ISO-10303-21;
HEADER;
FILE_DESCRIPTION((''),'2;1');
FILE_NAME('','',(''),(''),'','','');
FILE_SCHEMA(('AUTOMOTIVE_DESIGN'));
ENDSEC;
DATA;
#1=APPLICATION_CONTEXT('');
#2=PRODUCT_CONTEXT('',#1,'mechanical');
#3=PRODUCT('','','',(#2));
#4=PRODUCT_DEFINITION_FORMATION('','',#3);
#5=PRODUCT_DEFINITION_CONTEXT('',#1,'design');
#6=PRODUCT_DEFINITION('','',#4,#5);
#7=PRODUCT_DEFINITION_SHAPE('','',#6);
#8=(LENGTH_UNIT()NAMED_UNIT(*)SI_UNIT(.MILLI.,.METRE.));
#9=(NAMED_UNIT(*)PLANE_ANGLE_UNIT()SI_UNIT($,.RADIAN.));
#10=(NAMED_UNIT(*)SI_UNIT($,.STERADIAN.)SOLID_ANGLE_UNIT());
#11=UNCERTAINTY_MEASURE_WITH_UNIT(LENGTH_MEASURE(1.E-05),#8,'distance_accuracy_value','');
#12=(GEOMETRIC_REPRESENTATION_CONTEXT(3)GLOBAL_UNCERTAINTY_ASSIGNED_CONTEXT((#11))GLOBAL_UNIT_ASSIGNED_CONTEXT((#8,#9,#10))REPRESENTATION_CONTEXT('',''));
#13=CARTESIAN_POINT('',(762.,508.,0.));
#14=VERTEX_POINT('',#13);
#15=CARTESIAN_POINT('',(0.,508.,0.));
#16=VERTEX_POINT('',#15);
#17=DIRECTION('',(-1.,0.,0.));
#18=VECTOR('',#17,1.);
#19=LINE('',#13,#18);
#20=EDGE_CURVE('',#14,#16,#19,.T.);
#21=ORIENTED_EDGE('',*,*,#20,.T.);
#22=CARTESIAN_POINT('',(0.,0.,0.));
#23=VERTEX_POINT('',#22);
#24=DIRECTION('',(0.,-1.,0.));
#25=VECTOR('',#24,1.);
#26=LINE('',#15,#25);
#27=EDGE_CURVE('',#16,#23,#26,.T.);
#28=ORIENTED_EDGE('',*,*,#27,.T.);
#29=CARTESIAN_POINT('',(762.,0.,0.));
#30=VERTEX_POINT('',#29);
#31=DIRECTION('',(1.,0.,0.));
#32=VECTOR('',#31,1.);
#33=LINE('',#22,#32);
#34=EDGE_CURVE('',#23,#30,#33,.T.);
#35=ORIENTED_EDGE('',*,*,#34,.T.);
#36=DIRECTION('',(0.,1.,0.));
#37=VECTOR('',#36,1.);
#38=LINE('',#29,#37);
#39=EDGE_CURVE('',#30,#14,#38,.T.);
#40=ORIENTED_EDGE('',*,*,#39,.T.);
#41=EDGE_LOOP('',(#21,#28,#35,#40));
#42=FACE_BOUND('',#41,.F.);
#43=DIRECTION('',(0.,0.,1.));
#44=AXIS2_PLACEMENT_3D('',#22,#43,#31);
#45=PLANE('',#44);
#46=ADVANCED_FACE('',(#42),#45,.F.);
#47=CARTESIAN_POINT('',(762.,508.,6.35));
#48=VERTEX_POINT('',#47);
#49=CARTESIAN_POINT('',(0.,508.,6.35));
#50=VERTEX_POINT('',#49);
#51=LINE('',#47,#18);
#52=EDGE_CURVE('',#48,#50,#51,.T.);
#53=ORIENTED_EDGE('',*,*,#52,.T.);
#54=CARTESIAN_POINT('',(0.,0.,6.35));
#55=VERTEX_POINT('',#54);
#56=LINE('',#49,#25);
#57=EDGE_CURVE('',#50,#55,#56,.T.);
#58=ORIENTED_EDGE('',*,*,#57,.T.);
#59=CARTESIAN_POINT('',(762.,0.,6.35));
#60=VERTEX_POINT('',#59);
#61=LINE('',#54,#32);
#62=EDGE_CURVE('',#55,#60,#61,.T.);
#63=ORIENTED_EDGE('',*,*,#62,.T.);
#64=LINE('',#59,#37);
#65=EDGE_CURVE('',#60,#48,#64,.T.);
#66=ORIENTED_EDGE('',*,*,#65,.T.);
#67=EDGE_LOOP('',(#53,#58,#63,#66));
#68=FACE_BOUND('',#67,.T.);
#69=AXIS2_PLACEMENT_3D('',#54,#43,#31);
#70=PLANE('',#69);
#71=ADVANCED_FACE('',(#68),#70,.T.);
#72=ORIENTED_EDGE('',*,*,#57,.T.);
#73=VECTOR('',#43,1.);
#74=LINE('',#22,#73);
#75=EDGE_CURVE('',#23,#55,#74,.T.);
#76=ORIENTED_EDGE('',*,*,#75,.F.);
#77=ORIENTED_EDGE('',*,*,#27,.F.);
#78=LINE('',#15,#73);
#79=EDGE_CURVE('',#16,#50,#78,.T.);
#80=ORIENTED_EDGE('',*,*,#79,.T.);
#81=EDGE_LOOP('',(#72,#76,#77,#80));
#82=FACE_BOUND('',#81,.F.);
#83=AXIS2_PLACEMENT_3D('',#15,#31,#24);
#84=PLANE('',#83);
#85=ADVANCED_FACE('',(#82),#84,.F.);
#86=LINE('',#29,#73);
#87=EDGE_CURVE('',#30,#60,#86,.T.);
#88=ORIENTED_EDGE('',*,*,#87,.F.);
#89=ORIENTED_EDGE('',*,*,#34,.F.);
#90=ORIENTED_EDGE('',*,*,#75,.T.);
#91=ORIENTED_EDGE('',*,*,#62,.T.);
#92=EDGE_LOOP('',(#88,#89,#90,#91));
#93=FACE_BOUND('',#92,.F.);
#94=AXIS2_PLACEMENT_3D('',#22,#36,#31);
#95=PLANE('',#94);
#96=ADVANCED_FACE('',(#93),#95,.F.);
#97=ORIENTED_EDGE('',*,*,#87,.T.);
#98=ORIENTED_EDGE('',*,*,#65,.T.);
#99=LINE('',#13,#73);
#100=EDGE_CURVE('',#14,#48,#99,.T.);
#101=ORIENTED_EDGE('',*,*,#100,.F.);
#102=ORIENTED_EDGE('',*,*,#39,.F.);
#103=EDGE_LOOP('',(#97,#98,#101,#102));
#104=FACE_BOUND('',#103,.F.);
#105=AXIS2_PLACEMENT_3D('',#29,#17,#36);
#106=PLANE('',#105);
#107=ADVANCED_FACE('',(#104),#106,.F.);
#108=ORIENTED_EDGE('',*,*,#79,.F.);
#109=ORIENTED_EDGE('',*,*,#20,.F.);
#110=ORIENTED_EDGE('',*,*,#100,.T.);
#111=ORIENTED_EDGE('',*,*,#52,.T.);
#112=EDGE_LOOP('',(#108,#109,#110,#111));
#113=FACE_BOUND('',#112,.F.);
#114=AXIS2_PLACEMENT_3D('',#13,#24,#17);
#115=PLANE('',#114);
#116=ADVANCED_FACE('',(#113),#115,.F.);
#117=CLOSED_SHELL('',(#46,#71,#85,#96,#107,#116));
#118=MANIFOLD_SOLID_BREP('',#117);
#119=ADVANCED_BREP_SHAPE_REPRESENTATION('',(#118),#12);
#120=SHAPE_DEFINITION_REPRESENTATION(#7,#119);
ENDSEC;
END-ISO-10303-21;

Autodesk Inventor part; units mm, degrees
ref_plane "YZ Plane" through (0, 0, 0) normal (1, 0, 0) x (0, 1, 0)
ref_plane "XZ Plane" through (0, 0, 0) normal (0, 1, 0) x (-1, 0, 0)
ref_plane "XY Plane" through (0, 0, 0) normal (0, 0, 1) x (1, 0, 0)
sketch "Sketch1" plane through (0, 0, 0) normal (0, 0, 1) x (1, 0, 0)
  line L0 (0, 0) -> (762, 0)
  line L1 (762, 0) -> (762, 508)
  line L2 (762, 508) -> (0, 508)
  line L3 (0, 508) -> (0, 0)
  dimension "d0" = 762
  dimension "d1" = 508
extrude "Extrusion1" add sketch "Sketch1" along normal blind 6.35
properties part number "Starting position pink"
